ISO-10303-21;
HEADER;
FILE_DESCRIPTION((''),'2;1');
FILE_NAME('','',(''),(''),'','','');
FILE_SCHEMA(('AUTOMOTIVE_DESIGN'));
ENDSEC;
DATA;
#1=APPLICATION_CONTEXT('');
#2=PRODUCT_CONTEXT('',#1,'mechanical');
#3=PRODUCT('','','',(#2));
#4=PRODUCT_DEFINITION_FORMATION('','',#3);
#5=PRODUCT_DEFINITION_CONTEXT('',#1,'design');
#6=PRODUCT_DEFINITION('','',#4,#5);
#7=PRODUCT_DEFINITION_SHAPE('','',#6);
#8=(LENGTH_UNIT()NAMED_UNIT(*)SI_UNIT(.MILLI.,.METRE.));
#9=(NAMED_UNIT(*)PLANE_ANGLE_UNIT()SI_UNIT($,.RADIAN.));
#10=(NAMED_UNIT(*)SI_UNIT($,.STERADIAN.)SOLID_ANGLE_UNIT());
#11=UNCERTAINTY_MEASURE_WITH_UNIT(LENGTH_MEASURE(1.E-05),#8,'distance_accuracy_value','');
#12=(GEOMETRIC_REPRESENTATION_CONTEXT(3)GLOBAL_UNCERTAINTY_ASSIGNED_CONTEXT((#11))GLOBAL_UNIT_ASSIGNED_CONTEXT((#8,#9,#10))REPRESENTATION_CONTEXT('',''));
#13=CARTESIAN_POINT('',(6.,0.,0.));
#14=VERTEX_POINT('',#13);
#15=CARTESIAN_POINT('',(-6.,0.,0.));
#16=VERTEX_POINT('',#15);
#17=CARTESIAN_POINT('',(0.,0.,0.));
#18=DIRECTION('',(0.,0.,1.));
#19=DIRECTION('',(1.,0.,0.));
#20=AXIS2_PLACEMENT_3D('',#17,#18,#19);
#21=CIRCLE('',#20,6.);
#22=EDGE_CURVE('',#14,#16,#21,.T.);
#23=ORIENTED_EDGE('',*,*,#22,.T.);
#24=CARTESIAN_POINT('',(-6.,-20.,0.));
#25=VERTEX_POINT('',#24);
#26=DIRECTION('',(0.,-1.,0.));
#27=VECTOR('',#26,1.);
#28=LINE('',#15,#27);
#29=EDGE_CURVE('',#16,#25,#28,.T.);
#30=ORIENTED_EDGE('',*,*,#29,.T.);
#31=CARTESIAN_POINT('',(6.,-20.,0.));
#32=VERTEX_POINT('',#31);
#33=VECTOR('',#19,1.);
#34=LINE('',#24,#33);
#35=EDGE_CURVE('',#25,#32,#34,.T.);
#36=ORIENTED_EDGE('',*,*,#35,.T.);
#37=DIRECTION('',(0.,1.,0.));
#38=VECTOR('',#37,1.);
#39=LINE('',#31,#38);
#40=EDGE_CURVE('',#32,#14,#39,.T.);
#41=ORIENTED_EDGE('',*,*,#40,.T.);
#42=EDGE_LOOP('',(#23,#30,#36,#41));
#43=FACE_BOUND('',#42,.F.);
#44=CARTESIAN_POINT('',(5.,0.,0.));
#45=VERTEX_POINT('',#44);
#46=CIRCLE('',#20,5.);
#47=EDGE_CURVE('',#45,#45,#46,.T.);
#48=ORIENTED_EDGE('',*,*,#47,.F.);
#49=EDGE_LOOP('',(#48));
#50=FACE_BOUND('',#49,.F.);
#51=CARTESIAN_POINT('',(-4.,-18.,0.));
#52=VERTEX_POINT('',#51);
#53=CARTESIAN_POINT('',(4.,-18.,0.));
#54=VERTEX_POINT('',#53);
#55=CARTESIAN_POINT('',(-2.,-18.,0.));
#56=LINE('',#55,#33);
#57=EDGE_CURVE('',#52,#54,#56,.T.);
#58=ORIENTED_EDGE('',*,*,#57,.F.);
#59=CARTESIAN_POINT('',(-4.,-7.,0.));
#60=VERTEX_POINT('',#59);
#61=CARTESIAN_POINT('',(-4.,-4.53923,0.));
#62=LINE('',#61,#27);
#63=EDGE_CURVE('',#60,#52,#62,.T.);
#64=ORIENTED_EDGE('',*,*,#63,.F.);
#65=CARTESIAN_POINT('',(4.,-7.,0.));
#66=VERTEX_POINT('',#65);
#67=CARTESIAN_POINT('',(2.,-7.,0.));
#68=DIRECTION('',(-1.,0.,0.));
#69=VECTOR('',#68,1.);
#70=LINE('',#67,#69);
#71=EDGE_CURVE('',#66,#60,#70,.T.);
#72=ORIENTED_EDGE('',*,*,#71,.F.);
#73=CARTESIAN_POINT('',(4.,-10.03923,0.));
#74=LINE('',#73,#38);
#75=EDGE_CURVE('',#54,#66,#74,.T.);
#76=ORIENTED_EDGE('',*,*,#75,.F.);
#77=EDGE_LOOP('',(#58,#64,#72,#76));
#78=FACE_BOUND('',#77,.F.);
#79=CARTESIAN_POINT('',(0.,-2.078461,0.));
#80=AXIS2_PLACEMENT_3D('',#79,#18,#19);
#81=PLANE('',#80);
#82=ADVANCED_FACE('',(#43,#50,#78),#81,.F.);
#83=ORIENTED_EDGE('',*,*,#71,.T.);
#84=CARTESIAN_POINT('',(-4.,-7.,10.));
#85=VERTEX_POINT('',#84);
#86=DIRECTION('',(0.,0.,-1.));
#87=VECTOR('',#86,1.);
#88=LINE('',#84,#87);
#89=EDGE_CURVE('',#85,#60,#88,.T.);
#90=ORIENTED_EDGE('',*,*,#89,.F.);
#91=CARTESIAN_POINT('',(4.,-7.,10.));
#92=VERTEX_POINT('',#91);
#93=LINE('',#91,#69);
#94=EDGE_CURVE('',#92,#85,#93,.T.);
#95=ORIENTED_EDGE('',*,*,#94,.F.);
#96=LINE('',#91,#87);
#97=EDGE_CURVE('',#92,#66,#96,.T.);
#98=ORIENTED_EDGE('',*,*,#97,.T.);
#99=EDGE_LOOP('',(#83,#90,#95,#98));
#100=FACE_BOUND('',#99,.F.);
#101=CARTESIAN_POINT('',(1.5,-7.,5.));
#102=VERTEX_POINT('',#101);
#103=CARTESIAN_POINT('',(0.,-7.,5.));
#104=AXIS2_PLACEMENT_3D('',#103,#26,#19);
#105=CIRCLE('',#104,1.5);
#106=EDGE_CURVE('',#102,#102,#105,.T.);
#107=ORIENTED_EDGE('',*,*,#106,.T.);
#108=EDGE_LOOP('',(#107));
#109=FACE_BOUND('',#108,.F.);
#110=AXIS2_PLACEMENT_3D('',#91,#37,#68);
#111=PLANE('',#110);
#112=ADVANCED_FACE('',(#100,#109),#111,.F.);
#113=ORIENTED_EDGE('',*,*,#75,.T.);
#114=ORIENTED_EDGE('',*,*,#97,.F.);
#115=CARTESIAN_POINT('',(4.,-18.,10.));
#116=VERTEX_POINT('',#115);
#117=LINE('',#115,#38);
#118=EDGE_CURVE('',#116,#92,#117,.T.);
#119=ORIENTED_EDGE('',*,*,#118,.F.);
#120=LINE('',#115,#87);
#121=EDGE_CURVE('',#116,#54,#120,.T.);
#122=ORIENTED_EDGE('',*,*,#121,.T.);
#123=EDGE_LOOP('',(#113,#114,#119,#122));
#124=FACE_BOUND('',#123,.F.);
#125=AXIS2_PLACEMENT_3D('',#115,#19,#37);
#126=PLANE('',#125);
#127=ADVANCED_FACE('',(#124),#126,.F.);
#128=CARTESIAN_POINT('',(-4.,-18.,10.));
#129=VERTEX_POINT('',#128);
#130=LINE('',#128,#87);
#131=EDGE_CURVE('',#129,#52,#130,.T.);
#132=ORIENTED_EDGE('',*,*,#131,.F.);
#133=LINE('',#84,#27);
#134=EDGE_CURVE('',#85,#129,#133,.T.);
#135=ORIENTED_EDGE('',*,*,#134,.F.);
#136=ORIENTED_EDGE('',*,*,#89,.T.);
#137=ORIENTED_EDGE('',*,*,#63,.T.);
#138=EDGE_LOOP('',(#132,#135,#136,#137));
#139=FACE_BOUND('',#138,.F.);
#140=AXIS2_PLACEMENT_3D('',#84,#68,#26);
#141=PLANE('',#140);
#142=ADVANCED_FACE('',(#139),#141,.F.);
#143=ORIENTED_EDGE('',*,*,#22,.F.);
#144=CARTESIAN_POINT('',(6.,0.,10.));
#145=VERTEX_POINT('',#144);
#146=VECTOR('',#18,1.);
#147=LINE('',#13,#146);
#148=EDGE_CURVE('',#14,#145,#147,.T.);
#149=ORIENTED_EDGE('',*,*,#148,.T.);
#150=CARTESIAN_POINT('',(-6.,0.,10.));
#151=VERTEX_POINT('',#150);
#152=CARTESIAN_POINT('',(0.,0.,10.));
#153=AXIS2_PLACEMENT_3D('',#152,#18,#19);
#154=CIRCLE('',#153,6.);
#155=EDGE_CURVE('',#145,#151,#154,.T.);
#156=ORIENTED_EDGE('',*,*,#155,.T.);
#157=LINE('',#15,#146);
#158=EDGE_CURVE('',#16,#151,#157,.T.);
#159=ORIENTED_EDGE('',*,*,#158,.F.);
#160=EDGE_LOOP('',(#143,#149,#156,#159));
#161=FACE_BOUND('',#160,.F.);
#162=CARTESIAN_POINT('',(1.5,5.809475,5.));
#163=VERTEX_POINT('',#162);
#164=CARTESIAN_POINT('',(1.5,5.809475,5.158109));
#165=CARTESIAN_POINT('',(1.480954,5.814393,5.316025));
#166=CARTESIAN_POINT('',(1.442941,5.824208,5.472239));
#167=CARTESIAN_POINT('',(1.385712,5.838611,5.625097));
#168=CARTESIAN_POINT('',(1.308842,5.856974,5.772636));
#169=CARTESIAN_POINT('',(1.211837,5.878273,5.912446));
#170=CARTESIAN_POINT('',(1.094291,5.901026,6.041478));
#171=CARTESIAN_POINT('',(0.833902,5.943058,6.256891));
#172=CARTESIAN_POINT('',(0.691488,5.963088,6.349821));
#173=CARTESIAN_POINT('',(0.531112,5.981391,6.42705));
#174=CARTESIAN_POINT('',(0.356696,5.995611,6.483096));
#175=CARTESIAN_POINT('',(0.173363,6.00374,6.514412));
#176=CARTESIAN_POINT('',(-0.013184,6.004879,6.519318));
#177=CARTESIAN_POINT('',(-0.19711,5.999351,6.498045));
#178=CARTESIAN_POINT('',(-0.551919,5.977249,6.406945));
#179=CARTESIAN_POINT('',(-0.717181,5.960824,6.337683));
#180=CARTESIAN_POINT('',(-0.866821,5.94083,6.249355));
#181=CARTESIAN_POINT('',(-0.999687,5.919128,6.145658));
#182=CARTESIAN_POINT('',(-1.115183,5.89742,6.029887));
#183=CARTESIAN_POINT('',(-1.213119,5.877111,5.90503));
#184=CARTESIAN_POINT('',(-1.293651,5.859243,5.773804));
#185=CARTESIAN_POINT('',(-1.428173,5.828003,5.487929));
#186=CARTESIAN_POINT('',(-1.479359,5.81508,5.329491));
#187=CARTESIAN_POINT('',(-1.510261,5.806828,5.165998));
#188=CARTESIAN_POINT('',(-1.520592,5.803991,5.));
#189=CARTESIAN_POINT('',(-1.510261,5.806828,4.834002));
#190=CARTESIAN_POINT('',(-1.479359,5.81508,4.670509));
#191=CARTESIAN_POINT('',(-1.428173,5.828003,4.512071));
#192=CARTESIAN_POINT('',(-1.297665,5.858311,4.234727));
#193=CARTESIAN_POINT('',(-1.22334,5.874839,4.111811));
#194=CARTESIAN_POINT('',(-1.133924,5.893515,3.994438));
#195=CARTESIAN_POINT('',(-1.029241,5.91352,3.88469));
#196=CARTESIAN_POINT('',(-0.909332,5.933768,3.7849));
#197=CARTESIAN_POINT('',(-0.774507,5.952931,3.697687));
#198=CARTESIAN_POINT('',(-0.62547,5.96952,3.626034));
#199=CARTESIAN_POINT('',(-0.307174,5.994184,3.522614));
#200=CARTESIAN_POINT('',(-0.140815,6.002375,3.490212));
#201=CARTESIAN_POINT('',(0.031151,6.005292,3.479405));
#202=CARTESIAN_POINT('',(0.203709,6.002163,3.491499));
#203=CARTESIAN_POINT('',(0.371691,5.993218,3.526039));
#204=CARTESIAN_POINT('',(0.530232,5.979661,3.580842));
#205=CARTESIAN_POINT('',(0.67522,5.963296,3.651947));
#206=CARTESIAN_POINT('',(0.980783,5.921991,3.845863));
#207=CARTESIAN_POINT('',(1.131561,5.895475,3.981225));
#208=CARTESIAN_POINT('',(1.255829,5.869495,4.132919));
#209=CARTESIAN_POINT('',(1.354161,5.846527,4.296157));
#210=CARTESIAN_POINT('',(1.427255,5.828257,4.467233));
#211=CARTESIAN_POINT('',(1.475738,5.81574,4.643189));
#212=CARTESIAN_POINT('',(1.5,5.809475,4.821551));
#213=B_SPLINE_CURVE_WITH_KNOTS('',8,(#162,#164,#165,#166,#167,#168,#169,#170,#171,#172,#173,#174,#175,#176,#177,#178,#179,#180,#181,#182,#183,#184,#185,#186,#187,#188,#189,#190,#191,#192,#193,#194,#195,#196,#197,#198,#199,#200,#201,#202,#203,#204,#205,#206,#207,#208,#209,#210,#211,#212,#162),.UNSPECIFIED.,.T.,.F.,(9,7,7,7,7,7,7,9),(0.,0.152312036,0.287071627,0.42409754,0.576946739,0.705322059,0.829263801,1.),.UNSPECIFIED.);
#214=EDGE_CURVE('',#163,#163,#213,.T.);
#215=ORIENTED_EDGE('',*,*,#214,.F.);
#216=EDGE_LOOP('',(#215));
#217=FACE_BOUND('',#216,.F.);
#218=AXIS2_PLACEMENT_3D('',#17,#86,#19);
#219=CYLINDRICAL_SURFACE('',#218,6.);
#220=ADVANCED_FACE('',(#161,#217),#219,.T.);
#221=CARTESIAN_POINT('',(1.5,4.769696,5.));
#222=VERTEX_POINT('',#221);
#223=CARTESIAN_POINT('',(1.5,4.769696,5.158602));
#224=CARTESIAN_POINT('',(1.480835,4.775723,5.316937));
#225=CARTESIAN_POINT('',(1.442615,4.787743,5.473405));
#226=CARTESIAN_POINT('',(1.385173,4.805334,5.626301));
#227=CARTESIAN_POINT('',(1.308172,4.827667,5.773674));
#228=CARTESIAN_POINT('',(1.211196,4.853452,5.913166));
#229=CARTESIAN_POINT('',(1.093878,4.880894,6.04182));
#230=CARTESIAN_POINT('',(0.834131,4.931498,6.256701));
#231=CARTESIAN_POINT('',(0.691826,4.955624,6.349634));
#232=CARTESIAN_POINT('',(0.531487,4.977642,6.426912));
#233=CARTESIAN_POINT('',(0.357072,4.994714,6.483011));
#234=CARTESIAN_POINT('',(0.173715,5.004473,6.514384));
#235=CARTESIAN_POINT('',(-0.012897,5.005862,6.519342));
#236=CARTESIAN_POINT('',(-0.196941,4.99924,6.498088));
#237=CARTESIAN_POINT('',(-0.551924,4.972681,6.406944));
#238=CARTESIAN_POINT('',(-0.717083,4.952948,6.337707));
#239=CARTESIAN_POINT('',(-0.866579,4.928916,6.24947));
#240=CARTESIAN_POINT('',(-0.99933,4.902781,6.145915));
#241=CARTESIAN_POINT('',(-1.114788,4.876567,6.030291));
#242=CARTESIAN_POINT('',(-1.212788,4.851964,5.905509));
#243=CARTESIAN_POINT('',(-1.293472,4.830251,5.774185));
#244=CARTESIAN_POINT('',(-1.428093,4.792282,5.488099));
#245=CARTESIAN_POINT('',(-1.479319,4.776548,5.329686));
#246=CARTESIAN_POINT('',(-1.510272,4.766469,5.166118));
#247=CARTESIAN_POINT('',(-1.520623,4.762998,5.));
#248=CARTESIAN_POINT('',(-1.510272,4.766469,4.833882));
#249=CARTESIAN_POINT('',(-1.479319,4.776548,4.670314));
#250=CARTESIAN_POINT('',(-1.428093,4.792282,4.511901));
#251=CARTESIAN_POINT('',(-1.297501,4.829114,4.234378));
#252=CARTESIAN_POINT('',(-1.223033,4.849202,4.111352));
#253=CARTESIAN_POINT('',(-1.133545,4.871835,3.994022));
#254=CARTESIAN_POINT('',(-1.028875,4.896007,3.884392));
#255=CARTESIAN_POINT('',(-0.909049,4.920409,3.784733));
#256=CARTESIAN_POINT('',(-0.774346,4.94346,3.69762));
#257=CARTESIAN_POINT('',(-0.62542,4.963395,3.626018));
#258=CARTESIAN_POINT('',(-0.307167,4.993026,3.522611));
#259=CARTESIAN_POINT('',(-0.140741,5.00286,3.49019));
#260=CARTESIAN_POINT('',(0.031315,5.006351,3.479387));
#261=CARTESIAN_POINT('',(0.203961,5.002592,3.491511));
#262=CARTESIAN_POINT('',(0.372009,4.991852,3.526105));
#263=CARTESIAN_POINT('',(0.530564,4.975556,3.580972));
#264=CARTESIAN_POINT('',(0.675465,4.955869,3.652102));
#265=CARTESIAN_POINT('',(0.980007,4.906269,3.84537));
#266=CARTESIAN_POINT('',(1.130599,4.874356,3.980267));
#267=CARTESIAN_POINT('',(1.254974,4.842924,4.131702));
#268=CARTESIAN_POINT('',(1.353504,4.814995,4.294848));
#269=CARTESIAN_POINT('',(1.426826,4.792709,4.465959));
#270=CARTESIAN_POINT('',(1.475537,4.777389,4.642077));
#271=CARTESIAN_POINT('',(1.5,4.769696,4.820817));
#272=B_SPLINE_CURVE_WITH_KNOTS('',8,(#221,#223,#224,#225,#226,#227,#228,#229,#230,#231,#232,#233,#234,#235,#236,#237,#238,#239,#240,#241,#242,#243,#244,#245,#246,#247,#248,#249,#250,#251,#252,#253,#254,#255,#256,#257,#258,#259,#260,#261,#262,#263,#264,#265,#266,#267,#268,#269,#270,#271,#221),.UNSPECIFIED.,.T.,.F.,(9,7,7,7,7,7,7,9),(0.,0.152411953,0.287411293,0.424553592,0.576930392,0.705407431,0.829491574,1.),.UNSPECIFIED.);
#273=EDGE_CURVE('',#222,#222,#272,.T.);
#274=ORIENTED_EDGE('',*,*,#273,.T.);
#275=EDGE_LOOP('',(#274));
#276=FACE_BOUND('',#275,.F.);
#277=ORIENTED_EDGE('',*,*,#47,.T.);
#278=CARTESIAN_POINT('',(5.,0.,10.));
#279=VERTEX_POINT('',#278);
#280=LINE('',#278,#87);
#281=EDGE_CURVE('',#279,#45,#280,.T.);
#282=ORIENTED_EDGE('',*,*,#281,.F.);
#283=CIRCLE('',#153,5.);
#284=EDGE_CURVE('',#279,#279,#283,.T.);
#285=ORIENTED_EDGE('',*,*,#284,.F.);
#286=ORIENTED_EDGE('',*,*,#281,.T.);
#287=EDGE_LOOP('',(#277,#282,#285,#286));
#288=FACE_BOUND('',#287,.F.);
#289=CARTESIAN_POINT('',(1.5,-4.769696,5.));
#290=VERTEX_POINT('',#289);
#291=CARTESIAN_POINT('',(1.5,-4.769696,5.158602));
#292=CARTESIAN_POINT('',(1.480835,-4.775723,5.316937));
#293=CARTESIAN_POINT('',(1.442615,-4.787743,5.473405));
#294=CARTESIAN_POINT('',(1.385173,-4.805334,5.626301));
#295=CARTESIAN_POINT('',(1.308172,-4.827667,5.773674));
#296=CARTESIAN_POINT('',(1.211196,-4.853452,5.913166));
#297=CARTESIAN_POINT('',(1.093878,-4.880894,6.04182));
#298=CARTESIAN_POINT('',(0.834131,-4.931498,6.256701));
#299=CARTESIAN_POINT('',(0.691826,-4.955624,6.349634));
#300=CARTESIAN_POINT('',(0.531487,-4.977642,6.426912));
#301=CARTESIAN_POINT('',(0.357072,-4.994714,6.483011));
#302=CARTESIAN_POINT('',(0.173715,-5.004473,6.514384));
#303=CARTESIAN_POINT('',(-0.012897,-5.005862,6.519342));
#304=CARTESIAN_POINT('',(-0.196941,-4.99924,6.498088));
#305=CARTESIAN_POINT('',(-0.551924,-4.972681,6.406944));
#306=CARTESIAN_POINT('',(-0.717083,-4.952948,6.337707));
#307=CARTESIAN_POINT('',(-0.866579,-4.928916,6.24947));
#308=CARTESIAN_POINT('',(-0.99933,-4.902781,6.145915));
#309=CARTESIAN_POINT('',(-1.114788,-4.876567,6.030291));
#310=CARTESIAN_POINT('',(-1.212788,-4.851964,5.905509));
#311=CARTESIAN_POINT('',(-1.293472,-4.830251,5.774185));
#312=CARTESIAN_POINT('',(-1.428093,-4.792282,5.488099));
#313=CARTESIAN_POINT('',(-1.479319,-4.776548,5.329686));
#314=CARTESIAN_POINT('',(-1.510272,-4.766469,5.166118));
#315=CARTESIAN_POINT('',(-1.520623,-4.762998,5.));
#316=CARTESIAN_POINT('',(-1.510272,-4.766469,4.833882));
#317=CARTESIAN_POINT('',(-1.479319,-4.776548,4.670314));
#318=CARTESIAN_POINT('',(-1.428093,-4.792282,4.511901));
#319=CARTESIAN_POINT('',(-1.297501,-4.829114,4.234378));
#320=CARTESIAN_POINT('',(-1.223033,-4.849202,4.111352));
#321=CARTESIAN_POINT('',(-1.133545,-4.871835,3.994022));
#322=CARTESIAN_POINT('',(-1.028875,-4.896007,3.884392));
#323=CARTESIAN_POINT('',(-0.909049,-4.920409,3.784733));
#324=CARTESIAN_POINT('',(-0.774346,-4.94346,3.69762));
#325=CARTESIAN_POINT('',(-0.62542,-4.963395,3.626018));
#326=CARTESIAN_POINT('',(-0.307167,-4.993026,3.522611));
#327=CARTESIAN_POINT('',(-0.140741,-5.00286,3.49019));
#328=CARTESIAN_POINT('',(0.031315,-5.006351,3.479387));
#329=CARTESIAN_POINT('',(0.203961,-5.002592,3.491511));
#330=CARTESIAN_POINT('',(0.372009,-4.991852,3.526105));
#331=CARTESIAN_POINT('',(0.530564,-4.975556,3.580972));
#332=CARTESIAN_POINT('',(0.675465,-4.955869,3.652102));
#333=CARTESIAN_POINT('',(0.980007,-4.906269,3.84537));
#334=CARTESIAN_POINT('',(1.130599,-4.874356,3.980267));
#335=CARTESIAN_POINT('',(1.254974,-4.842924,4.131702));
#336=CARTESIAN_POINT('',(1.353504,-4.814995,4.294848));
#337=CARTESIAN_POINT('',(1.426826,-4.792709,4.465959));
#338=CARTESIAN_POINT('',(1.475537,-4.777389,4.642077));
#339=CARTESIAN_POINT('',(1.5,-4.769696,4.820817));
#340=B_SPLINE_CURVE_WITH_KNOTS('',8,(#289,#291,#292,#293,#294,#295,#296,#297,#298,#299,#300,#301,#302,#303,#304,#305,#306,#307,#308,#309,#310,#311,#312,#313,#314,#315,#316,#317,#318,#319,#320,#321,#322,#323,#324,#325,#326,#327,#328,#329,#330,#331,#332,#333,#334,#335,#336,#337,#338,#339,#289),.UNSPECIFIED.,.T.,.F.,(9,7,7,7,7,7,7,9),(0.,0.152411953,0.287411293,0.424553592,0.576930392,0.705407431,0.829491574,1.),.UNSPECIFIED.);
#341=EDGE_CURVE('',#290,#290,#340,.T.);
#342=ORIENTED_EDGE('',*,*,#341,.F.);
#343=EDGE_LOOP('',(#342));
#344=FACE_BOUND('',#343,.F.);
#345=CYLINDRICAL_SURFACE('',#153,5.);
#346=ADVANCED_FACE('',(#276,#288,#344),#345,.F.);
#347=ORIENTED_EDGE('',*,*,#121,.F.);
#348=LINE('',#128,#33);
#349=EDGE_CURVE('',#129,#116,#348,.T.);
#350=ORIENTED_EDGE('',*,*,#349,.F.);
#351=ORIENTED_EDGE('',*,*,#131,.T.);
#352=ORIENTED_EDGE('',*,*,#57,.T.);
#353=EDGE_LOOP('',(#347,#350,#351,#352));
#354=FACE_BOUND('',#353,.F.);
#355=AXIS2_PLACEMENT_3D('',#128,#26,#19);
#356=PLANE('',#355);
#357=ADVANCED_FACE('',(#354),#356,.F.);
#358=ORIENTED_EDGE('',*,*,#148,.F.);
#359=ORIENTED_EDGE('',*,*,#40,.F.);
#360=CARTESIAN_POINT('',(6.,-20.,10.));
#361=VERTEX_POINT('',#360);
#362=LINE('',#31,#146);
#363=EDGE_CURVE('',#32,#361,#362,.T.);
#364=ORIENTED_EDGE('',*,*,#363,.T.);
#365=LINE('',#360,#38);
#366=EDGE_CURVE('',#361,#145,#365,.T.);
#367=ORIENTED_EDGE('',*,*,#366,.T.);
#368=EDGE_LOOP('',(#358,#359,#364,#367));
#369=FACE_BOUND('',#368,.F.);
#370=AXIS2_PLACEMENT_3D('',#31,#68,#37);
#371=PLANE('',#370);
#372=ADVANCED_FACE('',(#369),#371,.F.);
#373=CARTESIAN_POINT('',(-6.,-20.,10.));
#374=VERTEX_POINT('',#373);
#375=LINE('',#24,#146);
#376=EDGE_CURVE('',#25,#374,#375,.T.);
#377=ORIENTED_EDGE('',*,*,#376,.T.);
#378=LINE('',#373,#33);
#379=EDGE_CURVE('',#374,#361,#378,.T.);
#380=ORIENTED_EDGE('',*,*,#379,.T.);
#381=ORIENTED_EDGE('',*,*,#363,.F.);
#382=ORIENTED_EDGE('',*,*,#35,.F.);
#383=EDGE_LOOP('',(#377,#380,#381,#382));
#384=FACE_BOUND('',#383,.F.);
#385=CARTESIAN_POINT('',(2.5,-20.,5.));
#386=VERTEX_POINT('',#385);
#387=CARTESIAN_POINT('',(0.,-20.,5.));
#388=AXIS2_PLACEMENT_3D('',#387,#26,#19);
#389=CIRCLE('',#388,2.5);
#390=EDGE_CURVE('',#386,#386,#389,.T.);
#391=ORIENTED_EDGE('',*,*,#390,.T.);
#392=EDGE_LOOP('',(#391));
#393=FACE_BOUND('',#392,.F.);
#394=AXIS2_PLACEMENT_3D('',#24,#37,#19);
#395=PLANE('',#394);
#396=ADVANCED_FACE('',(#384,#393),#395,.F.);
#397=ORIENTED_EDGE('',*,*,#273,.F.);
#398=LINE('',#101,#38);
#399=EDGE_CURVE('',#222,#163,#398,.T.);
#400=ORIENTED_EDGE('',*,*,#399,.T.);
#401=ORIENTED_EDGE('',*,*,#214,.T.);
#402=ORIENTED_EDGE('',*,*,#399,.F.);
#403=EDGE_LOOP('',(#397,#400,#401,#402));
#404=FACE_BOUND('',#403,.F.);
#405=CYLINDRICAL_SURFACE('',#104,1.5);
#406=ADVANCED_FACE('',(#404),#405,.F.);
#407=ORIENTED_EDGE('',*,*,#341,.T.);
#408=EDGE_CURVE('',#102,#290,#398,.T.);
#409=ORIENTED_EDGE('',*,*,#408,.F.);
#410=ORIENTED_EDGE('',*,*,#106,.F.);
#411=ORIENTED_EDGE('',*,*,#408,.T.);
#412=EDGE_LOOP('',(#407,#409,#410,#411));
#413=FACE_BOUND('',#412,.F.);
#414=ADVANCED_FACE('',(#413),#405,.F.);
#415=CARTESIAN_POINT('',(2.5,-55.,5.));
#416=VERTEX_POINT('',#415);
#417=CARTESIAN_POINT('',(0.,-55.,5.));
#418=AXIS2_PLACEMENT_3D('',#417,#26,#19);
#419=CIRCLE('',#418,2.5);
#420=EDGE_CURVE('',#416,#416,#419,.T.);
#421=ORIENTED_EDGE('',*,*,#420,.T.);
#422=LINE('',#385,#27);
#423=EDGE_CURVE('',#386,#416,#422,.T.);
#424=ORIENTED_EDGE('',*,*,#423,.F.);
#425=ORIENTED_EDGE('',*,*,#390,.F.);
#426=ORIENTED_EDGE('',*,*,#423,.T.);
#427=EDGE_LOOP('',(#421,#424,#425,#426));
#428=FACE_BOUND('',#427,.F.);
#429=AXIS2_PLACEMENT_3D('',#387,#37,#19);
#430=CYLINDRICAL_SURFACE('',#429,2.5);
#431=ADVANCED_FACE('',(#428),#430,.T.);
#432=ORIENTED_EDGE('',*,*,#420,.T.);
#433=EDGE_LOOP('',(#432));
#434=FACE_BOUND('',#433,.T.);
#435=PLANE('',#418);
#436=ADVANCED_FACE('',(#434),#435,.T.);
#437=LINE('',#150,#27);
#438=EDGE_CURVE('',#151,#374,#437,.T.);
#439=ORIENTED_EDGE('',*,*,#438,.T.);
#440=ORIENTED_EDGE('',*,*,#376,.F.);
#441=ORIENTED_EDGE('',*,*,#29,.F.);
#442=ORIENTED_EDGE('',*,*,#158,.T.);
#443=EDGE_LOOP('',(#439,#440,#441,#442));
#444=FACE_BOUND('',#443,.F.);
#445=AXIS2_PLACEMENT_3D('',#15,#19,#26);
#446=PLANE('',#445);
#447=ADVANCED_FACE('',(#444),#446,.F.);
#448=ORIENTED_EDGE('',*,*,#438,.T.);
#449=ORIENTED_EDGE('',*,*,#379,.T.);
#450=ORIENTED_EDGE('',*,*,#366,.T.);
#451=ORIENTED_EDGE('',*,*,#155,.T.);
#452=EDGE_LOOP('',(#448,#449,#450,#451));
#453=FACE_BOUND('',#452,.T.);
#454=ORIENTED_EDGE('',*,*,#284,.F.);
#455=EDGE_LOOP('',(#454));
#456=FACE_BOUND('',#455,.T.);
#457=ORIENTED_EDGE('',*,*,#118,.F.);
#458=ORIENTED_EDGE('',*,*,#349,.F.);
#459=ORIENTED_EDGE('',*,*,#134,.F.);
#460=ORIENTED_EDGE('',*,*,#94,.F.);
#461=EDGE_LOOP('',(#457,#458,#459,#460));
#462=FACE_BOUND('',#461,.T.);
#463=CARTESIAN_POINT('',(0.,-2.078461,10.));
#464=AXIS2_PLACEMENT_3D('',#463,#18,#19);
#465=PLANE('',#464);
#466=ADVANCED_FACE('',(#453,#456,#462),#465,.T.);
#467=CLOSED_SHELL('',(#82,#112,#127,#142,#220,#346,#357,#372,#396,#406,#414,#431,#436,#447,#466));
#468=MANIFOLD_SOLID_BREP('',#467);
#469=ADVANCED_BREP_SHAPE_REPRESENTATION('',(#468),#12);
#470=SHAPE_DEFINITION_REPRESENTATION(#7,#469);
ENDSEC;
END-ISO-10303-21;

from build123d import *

# Parameters (mm, degrees)
F1_DEPTH = 10
F2_R     = 5
F3_DEPTH = 25
F5_DEPTH = 25
F6_R     = 1.5
F7_DEPTH = 25
F8_R     = 2.5
F9_DEPTH = 35


with BuildPart() as f1:
    # F0 (on Top) → F1 (new body)
    with BuildSketch(Plane.XY):
        with BuildLine():
            ThreePointArc((-6, 0), (0, -6), (6, 0))
            Line((6, 0), (-6, 0))
        make_face()
        with BuildLine():
            Line((-6, 0), (6, 0))
            ThreePointArc((6, 0), (0, 6), (-6, 0))
        make_face()
        with BuildLine():
            Line((6, -20), (6, 0))
            ThreePointArc((6, 0), (0, -6), (-6, 0))
            Line((-6, 0), (-6, -20))
            Line((-6, -20), (6, -20))
        make_face()
    extrude(amount=F1_DEPTH)

    # F2 (on face) → F3 (cut)
    with BuildSketch(Plane.XY.offset(10)):
        Circle(F2_R)
    extrude(amount=-F3_DEPTH, mode=Mode.SUBTRACT)

    # F4 (on face) → F5 (cut)
    with BuildSketch(Plane.XY.offset(10)):
        Polygon((-4, -7), (-4, -18), (4, -18), (4, -7), (0, -7), align=None)
    extrude(amount=-F5_DEPTH, mode=Mode.SUBTRACT)

    # F6 (on face) → F7 (cut)
    with BuildSketch(Plane.XZ.offset(7)):
        with Locations((0, 5)):
            Circle(F6_R)
    extrude(amount=-F7_DEPTH, mode=Mode.SUBTRACT)

    # F8 (on face) → F9 (join)
    with BuildSketch(Plane.XZ.offset(20)):
        with Locations((0, 5)):
            Circle(F8_R)
    extrude(amount=F9_DEPTH)


solid = f1.part
